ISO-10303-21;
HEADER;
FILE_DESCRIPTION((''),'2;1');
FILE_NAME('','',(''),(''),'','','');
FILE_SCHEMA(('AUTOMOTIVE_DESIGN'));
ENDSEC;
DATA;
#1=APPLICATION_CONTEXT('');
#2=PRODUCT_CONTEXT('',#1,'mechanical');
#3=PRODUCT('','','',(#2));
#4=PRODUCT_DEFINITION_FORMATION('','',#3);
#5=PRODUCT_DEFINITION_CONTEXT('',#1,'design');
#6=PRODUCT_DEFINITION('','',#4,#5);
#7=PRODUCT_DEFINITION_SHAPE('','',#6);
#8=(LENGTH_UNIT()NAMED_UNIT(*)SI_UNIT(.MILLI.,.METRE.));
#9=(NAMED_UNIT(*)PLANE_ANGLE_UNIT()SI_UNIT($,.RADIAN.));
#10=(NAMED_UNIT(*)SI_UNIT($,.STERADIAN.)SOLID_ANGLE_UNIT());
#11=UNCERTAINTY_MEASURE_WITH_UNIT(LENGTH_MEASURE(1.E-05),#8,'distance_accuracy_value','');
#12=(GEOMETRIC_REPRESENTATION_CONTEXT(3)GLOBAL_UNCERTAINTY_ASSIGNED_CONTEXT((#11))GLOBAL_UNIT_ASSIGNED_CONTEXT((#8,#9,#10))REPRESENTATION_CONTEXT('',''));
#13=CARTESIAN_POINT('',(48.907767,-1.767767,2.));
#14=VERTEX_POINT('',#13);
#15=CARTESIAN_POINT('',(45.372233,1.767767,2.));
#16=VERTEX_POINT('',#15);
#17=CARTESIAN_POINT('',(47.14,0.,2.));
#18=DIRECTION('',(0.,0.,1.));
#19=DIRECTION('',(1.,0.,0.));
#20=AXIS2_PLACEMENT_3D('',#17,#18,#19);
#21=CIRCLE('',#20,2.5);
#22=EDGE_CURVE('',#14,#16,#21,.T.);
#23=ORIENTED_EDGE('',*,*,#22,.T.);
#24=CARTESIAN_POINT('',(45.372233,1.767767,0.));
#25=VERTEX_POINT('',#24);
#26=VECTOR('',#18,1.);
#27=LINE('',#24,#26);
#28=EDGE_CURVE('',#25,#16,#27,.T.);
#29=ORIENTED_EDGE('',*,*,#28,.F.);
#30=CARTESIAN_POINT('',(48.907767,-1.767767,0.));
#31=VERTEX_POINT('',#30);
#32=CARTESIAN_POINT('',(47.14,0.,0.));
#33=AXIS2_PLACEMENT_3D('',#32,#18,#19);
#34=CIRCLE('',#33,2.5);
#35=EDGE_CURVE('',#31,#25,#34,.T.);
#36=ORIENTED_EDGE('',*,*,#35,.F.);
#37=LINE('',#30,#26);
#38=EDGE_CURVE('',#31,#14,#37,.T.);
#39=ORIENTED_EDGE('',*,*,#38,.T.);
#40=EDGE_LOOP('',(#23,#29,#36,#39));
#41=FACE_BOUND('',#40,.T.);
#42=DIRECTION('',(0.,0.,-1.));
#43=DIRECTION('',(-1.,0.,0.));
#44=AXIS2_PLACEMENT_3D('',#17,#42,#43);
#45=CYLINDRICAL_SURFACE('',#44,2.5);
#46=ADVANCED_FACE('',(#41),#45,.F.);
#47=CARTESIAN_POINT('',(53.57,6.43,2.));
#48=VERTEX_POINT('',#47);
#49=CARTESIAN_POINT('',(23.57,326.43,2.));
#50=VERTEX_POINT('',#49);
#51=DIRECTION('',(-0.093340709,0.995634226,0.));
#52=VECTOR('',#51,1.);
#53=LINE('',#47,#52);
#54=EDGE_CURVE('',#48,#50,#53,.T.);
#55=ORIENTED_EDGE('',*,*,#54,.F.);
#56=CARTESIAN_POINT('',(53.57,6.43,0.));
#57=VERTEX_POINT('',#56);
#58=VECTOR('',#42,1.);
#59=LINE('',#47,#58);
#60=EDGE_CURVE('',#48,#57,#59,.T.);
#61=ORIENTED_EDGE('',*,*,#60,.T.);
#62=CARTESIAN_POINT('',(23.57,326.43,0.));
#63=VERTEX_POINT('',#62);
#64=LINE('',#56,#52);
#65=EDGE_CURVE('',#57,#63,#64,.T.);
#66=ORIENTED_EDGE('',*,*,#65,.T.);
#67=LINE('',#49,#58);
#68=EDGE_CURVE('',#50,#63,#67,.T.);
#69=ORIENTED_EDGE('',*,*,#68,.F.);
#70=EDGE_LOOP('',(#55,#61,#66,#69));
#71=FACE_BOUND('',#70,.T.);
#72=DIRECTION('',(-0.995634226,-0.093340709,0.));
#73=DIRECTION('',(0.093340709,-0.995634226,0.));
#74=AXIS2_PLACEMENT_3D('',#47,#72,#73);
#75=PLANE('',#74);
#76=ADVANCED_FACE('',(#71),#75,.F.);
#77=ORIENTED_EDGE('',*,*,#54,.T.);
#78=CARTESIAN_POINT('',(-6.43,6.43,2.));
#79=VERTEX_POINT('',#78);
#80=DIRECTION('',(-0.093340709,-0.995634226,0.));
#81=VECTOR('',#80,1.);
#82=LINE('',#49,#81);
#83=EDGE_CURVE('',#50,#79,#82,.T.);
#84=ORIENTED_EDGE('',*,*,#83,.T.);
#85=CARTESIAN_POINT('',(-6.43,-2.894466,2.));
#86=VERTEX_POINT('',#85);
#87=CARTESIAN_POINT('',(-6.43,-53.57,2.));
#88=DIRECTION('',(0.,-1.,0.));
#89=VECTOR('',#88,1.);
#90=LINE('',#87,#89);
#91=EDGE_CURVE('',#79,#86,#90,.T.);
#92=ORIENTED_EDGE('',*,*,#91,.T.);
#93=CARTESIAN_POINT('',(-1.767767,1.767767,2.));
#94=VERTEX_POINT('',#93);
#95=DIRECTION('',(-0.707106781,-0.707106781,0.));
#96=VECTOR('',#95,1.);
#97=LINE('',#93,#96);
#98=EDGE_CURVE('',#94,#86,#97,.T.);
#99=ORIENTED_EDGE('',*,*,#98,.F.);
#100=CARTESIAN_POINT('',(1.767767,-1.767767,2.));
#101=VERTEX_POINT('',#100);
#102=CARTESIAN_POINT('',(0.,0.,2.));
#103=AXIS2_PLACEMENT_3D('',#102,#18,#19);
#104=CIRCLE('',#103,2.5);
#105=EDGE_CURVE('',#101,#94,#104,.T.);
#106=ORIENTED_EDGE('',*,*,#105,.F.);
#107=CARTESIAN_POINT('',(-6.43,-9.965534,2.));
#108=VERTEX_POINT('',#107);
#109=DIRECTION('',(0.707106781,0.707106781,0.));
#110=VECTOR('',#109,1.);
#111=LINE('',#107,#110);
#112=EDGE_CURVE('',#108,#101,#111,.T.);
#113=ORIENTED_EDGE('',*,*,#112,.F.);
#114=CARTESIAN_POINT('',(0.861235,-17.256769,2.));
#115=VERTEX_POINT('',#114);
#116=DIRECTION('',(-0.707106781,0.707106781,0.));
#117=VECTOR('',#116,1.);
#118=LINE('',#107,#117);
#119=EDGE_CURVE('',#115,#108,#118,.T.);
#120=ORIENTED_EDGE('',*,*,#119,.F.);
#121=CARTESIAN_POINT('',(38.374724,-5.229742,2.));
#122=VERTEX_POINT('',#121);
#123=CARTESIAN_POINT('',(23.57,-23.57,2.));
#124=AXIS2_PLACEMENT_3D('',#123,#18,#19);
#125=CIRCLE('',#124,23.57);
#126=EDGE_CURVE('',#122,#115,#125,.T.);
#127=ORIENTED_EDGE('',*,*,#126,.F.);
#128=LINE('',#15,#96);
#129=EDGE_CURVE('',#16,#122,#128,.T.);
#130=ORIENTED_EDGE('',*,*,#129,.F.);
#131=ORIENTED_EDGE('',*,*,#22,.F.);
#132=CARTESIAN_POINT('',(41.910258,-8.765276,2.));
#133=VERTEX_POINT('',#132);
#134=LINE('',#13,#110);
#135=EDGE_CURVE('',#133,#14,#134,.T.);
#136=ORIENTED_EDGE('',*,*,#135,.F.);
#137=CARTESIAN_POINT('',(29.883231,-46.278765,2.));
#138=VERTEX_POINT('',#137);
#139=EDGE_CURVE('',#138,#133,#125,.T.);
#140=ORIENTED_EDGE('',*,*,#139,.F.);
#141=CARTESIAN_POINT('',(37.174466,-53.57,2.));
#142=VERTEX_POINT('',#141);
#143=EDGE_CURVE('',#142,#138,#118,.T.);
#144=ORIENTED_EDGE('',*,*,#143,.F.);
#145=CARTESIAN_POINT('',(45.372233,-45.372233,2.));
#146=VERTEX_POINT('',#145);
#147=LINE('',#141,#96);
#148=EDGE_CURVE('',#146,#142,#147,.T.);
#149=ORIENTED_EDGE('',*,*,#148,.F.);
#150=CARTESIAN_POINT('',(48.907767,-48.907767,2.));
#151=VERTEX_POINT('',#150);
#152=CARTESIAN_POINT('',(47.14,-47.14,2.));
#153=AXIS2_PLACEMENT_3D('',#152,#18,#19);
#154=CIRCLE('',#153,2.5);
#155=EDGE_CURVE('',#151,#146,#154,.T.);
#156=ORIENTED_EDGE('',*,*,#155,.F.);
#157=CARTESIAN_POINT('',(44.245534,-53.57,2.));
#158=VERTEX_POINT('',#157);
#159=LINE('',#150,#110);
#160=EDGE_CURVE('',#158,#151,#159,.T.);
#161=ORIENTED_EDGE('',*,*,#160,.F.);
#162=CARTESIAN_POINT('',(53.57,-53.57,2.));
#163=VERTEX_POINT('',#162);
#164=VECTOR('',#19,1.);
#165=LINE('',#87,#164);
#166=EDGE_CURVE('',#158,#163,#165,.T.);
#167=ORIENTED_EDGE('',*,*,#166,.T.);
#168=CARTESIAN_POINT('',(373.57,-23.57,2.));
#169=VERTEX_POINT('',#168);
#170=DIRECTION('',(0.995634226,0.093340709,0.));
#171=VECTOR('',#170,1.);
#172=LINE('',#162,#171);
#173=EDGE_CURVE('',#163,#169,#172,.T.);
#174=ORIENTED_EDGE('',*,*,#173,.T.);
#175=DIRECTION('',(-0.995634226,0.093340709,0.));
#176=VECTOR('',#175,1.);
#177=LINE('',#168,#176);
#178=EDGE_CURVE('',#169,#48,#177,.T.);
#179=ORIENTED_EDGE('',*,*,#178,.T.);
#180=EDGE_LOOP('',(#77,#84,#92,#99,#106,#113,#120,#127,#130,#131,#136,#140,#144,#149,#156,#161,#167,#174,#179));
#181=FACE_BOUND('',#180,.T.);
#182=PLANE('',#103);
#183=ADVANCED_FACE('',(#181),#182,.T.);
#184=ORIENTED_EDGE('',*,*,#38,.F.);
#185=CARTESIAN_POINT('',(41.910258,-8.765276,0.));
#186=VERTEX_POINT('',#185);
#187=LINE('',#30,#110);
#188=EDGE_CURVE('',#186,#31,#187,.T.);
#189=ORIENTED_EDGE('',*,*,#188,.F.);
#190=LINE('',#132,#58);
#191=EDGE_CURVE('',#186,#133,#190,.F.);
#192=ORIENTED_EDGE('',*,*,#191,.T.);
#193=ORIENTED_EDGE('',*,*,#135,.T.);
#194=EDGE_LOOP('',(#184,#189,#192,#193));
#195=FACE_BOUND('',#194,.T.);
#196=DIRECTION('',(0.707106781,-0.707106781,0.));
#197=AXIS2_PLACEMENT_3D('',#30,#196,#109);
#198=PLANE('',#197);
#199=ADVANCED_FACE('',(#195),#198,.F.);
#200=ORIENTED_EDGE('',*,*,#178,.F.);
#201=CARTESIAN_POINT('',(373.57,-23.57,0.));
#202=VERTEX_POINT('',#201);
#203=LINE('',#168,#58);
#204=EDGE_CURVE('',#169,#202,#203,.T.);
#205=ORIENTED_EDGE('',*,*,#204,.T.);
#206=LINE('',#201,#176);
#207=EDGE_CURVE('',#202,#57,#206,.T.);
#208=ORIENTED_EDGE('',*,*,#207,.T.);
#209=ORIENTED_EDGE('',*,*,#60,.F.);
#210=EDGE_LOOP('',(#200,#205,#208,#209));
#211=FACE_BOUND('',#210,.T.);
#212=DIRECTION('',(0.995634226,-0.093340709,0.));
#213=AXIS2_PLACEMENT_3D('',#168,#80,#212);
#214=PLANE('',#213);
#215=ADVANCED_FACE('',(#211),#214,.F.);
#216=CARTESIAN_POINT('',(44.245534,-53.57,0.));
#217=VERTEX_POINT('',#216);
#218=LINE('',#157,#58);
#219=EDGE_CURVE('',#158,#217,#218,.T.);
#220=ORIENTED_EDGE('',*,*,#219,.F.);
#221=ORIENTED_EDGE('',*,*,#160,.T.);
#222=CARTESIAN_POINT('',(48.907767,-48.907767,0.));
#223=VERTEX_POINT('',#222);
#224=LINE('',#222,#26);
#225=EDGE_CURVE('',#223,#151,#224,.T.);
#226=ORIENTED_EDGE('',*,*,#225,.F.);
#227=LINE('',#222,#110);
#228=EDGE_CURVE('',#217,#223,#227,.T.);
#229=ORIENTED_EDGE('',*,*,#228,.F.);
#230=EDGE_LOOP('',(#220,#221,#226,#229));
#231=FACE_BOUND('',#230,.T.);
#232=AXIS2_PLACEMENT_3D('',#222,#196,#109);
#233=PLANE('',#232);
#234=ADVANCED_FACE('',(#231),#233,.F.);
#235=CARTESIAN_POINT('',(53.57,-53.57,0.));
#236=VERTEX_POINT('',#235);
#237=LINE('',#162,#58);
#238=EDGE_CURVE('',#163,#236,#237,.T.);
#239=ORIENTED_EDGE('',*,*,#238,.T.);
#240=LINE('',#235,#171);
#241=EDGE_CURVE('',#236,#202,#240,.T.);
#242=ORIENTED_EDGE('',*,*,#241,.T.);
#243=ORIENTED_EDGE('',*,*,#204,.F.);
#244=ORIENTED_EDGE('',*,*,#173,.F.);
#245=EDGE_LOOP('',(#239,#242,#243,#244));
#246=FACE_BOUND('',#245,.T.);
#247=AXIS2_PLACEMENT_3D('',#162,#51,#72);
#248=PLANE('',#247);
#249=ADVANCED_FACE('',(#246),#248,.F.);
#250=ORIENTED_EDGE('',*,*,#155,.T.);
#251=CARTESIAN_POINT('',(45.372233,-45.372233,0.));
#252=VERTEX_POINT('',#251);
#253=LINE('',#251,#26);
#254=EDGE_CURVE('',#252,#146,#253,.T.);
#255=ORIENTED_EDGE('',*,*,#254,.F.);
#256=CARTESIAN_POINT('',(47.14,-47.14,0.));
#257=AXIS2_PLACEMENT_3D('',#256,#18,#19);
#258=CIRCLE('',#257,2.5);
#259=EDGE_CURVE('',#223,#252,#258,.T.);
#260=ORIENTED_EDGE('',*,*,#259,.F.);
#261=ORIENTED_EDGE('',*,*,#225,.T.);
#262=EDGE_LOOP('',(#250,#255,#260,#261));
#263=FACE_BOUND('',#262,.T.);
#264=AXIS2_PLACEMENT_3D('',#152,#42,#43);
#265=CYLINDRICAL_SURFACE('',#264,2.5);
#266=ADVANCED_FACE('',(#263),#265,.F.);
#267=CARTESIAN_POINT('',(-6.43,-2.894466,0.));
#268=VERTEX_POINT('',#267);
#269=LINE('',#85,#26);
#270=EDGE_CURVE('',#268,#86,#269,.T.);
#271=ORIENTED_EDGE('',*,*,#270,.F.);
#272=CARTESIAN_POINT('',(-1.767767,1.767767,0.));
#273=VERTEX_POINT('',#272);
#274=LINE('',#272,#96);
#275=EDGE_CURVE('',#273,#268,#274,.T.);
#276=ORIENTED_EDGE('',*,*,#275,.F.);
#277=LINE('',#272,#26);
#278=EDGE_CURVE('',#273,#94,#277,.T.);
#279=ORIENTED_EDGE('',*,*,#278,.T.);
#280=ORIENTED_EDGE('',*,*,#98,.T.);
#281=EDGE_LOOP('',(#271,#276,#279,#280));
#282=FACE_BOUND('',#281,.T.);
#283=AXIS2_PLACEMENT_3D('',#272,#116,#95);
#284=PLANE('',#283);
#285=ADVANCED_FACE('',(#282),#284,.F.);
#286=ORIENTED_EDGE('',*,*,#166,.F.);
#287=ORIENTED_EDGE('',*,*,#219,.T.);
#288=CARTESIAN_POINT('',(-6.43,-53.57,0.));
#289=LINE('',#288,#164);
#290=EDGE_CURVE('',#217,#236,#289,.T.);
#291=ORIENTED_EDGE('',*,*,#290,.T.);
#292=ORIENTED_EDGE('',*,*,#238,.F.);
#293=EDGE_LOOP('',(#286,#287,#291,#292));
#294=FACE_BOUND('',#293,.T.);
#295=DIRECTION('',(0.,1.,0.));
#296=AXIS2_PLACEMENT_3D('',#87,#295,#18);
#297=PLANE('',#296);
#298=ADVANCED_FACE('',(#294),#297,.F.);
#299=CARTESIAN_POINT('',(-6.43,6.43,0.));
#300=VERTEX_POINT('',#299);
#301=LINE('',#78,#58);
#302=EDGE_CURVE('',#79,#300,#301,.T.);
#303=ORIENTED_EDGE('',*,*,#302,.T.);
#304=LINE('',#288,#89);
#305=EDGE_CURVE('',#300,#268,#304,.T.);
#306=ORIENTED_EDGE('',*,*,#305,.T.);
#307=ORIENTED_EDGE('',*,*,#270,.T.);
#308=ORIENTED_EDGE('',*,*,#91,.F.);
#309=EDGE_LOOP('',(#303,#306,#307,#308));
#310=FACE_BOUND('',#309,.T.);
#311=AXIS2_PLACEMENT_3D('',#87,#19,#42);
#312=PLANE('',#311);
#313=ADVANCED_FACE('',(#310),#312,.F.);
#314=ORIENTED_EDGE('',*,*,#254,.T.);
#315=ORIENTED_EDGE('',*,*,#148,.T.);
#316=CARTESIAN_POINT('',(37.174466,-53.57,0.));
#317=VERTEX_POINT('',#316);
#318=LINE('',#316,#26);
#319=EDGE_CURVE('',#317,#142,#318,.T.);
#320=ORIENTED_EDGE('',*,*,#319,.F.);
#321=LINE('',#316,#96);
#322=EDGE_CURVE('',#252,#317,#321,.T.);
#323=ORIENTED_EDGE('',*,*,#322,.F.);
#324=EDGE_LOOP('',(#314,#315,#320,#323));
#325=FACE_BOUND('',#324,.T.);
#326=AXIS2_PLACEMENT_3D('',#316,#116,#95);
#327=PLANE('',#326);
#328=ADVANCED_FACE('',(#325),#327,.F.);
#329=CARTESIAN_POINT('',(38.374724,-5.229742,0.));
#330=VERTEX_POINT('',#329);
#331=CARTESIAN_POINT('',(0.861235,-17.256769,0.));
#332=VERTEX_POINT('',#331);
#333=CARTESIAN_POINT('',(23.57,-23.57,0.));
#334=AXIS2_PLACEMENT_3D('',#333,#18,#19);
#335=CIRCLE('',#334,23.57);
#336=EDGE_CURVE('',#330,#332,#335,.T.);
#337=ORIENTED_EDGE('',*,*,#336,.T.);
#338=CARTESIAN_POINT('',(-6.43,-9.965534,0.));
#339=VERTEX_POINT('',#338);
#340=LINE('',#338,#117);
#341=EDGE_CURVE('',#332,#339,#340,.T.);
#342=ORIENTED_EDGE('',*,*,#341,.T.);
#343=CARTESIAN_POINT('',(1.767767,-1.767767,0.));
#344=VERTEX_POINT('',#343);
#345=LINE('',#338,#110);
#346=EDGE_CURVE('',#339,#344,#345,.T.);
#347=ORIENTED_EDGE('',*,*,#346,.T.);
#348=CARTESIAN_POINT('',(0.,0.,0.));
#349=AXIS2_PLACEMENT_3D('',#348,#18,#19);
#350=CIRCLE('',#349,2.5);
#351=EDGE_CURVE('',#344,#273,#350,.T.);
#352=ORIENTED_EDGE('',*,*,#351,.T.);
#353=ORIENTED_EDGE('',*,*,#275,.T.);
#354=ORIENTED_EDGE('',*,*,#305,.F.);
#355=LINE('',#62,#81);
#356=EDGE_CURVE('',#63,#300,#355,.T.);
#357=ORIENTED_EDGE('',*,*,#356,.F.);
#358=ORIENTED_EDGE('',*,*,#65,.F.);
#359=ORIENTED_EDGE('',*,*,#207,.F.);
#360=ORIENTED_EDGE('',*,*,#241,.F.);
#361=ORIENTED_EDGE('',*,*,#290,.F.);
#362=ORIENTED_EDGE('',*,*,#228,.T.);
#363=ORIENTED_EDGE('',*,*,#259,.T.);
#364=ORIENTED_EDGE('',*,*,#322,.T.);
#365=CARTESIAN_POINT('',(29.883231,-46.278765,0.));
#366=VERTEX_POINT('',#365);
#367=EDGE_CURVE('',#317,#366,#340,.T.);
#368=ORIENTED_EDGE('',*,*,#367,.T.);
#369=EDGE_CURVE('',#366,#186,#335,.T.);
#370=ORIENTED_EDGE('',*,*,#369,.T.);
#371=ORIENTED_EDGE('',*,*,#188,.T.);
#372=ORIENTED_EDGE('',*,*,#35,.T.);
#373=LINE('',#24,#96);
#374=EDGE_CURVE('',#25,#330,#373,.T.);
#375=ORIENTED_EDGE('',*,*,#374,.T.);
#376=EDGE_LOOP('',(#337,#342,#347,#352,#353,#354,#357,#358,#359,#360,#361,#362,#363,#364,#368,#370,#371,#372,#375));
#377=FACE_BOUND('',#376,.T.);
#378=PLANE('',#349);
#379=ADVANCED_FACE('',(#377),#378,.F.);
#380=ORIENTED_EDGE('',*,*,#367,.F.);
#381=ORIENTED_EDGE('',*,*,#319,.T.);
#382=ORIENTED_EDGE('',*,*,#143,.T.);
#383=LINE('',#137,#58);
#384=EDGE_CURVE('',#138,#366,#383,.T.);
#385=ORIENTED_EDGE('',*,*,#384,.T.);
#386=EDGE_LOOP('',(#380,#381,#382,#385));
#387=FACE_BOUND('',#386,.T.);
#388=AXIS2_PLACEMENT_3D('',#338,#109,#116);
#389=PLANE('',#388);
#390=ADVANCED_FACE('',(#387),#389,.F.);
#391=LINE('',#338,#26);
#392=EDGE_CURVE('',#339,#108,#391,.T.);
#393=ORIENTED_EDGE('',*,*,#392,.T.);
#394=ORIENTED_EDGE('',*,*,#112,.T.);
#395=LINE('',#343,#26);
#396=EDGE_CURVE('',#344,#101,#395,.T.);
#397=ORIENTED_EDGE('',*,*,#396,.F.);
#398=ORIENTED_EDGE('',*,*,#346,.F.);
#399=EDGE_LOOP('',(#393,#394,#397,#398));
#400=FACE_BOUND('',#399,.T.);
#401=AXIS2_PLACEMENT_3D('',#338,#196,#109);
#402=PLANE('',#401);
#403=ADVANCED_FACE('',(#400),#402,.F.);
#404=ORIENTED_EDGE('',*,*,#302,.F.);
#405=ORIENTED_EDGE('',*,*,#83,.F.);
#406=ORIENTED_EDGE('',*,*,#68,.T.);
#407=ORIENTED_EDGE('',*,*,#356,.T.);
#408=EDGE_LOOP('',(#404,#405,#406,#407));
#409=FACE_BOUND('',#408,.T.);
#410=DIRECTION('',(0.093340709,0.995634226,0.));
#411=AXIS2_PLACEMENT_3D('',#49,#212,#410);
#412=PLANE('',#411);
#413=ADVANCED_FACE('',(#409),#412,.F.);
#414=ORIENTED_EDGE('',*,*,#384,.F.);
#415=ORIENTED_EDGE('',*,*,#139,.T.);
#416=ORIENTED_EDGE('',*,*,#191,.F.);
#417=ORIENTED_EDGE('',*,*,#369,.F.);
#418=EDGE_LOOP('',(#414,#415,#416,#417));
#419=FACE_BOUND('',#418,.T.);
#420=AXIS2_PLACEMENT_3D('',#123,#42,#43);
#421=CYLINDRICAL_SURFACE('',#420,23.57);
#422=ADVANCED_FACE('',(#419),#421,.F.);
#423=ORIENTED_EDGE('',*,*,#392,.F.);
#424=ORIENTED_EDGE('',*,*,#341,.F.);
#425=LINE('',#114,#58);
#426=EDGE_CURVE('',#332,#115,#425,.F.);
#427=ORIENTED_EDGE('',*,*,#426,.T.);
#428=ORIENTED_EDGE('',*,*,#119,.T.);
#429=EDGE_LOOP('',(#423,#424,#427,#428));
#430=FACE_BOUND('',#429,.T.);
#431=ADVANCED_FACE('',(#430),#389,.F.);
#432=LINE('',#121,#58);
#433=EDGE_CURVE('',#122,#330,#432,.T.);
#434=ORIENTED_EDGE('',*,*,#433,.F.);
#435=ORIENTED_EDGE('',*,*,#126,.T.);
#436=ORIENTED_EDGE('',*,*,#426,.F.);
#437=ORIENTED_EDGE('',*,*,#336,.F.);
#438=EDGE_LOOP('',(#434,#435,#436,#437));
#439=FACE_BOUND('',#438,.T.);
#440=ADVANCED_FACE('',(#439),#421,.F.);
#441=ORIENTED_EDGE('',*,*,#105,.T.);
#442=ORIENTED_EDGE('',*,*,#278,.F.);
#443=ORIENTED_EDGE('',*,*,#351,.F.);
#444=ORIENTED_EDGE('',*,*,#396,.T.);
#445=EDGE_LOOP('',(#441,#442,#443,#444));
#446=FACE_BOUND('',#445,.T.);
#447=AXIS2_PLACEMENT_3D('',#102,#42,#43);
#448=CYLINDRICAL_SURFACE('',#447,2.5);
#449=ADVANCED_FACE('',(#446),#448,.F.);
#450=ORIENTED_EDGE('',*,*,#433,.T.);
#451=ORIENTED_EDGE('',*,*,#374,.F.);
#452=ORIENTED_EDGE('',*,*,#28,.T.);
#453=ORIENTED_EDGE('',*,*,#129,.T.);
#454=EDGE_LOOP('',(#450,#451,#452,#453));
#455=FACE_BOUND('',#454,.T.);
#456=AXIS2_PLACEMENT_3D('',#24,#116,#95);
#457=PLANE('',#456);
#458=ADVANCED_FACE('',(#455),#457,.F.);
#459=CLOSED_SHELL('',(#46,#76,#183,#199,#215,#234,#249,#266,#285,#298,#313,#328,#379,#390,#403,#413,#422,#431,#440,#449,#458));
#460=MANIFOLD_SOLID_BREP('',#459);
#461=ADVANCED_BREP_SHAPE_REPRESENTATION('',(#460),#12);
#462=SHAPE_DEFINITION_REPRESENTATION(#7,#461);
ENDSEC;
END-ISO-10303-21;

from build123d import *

# Parameters (mm, degrees)
SKETCH_1_R          = 2.5
SKETCH_1_R_2        = 23.57
EXTRUDE_1_DEPTH     = 2
CUT_EXTRUDE_1_DEPTH = 2


with BuildPart() as part:
    # 草图1 → 凸台-拉伸1 (new body)
    with BuildSketch(Plane.XY):
        Polygon((53.57, -53.57), (373.57, -23.57), (53.57, 6.43), (23.57, 326.43), (-6.43, 6.43), (-6.43, -53.57), align=None)
        Circle(SKETCH_1_R, mode=Mode.SUBTRACT)
        with Locations((47.14, 0)):
            Circle(SKETCH_1_R, mode=Mode.SUBTRACT)
        with Locations((0, -47.14)):
            Circle(SKETCH_1_R, mode=Mode.SUBTRACT)
        with Locations((47.14, -47.14)):
            Circle(SKETCH_1_R, mode=Mode.SUBTRACT)
        with Locations((23.57, -23.57)):
            Circle(SKETCH_1_R_2, mode=Mode.SUBTRACT)
    extrude(amount=EXTRUDE_1_DEPTH)

    # 草图2 → 切除-拉伸1 (cut)
    with BuildSketch(Plane.XY.offset(2)):
        Polygon((-1.767766953, 1.767766953), (-23.224943384, -19.689409478), (-48.141739781, -16.773526249), (-61.418914174, -41.57875584), (11.806639012, -99.639884024), (27.505819552, -70.309714354), (48.907766953, -48.907766953), (45.372233047, -45.372233047), (37.174466094, -53.57), (-6.43, -9.965533906), (1.767766953, -1.767766953), align=None)
        Polygon((45.372233047, 1.767766953), (27.505819552, -16.098646542), (32.100864157, -18.574669749), (48.907766953, -1.767766953), align=None)
    extrude(amount=-CUT_EXTRUDE_1_DEPTH, mode=Mode.SUBTRACT)


solid = part.part
